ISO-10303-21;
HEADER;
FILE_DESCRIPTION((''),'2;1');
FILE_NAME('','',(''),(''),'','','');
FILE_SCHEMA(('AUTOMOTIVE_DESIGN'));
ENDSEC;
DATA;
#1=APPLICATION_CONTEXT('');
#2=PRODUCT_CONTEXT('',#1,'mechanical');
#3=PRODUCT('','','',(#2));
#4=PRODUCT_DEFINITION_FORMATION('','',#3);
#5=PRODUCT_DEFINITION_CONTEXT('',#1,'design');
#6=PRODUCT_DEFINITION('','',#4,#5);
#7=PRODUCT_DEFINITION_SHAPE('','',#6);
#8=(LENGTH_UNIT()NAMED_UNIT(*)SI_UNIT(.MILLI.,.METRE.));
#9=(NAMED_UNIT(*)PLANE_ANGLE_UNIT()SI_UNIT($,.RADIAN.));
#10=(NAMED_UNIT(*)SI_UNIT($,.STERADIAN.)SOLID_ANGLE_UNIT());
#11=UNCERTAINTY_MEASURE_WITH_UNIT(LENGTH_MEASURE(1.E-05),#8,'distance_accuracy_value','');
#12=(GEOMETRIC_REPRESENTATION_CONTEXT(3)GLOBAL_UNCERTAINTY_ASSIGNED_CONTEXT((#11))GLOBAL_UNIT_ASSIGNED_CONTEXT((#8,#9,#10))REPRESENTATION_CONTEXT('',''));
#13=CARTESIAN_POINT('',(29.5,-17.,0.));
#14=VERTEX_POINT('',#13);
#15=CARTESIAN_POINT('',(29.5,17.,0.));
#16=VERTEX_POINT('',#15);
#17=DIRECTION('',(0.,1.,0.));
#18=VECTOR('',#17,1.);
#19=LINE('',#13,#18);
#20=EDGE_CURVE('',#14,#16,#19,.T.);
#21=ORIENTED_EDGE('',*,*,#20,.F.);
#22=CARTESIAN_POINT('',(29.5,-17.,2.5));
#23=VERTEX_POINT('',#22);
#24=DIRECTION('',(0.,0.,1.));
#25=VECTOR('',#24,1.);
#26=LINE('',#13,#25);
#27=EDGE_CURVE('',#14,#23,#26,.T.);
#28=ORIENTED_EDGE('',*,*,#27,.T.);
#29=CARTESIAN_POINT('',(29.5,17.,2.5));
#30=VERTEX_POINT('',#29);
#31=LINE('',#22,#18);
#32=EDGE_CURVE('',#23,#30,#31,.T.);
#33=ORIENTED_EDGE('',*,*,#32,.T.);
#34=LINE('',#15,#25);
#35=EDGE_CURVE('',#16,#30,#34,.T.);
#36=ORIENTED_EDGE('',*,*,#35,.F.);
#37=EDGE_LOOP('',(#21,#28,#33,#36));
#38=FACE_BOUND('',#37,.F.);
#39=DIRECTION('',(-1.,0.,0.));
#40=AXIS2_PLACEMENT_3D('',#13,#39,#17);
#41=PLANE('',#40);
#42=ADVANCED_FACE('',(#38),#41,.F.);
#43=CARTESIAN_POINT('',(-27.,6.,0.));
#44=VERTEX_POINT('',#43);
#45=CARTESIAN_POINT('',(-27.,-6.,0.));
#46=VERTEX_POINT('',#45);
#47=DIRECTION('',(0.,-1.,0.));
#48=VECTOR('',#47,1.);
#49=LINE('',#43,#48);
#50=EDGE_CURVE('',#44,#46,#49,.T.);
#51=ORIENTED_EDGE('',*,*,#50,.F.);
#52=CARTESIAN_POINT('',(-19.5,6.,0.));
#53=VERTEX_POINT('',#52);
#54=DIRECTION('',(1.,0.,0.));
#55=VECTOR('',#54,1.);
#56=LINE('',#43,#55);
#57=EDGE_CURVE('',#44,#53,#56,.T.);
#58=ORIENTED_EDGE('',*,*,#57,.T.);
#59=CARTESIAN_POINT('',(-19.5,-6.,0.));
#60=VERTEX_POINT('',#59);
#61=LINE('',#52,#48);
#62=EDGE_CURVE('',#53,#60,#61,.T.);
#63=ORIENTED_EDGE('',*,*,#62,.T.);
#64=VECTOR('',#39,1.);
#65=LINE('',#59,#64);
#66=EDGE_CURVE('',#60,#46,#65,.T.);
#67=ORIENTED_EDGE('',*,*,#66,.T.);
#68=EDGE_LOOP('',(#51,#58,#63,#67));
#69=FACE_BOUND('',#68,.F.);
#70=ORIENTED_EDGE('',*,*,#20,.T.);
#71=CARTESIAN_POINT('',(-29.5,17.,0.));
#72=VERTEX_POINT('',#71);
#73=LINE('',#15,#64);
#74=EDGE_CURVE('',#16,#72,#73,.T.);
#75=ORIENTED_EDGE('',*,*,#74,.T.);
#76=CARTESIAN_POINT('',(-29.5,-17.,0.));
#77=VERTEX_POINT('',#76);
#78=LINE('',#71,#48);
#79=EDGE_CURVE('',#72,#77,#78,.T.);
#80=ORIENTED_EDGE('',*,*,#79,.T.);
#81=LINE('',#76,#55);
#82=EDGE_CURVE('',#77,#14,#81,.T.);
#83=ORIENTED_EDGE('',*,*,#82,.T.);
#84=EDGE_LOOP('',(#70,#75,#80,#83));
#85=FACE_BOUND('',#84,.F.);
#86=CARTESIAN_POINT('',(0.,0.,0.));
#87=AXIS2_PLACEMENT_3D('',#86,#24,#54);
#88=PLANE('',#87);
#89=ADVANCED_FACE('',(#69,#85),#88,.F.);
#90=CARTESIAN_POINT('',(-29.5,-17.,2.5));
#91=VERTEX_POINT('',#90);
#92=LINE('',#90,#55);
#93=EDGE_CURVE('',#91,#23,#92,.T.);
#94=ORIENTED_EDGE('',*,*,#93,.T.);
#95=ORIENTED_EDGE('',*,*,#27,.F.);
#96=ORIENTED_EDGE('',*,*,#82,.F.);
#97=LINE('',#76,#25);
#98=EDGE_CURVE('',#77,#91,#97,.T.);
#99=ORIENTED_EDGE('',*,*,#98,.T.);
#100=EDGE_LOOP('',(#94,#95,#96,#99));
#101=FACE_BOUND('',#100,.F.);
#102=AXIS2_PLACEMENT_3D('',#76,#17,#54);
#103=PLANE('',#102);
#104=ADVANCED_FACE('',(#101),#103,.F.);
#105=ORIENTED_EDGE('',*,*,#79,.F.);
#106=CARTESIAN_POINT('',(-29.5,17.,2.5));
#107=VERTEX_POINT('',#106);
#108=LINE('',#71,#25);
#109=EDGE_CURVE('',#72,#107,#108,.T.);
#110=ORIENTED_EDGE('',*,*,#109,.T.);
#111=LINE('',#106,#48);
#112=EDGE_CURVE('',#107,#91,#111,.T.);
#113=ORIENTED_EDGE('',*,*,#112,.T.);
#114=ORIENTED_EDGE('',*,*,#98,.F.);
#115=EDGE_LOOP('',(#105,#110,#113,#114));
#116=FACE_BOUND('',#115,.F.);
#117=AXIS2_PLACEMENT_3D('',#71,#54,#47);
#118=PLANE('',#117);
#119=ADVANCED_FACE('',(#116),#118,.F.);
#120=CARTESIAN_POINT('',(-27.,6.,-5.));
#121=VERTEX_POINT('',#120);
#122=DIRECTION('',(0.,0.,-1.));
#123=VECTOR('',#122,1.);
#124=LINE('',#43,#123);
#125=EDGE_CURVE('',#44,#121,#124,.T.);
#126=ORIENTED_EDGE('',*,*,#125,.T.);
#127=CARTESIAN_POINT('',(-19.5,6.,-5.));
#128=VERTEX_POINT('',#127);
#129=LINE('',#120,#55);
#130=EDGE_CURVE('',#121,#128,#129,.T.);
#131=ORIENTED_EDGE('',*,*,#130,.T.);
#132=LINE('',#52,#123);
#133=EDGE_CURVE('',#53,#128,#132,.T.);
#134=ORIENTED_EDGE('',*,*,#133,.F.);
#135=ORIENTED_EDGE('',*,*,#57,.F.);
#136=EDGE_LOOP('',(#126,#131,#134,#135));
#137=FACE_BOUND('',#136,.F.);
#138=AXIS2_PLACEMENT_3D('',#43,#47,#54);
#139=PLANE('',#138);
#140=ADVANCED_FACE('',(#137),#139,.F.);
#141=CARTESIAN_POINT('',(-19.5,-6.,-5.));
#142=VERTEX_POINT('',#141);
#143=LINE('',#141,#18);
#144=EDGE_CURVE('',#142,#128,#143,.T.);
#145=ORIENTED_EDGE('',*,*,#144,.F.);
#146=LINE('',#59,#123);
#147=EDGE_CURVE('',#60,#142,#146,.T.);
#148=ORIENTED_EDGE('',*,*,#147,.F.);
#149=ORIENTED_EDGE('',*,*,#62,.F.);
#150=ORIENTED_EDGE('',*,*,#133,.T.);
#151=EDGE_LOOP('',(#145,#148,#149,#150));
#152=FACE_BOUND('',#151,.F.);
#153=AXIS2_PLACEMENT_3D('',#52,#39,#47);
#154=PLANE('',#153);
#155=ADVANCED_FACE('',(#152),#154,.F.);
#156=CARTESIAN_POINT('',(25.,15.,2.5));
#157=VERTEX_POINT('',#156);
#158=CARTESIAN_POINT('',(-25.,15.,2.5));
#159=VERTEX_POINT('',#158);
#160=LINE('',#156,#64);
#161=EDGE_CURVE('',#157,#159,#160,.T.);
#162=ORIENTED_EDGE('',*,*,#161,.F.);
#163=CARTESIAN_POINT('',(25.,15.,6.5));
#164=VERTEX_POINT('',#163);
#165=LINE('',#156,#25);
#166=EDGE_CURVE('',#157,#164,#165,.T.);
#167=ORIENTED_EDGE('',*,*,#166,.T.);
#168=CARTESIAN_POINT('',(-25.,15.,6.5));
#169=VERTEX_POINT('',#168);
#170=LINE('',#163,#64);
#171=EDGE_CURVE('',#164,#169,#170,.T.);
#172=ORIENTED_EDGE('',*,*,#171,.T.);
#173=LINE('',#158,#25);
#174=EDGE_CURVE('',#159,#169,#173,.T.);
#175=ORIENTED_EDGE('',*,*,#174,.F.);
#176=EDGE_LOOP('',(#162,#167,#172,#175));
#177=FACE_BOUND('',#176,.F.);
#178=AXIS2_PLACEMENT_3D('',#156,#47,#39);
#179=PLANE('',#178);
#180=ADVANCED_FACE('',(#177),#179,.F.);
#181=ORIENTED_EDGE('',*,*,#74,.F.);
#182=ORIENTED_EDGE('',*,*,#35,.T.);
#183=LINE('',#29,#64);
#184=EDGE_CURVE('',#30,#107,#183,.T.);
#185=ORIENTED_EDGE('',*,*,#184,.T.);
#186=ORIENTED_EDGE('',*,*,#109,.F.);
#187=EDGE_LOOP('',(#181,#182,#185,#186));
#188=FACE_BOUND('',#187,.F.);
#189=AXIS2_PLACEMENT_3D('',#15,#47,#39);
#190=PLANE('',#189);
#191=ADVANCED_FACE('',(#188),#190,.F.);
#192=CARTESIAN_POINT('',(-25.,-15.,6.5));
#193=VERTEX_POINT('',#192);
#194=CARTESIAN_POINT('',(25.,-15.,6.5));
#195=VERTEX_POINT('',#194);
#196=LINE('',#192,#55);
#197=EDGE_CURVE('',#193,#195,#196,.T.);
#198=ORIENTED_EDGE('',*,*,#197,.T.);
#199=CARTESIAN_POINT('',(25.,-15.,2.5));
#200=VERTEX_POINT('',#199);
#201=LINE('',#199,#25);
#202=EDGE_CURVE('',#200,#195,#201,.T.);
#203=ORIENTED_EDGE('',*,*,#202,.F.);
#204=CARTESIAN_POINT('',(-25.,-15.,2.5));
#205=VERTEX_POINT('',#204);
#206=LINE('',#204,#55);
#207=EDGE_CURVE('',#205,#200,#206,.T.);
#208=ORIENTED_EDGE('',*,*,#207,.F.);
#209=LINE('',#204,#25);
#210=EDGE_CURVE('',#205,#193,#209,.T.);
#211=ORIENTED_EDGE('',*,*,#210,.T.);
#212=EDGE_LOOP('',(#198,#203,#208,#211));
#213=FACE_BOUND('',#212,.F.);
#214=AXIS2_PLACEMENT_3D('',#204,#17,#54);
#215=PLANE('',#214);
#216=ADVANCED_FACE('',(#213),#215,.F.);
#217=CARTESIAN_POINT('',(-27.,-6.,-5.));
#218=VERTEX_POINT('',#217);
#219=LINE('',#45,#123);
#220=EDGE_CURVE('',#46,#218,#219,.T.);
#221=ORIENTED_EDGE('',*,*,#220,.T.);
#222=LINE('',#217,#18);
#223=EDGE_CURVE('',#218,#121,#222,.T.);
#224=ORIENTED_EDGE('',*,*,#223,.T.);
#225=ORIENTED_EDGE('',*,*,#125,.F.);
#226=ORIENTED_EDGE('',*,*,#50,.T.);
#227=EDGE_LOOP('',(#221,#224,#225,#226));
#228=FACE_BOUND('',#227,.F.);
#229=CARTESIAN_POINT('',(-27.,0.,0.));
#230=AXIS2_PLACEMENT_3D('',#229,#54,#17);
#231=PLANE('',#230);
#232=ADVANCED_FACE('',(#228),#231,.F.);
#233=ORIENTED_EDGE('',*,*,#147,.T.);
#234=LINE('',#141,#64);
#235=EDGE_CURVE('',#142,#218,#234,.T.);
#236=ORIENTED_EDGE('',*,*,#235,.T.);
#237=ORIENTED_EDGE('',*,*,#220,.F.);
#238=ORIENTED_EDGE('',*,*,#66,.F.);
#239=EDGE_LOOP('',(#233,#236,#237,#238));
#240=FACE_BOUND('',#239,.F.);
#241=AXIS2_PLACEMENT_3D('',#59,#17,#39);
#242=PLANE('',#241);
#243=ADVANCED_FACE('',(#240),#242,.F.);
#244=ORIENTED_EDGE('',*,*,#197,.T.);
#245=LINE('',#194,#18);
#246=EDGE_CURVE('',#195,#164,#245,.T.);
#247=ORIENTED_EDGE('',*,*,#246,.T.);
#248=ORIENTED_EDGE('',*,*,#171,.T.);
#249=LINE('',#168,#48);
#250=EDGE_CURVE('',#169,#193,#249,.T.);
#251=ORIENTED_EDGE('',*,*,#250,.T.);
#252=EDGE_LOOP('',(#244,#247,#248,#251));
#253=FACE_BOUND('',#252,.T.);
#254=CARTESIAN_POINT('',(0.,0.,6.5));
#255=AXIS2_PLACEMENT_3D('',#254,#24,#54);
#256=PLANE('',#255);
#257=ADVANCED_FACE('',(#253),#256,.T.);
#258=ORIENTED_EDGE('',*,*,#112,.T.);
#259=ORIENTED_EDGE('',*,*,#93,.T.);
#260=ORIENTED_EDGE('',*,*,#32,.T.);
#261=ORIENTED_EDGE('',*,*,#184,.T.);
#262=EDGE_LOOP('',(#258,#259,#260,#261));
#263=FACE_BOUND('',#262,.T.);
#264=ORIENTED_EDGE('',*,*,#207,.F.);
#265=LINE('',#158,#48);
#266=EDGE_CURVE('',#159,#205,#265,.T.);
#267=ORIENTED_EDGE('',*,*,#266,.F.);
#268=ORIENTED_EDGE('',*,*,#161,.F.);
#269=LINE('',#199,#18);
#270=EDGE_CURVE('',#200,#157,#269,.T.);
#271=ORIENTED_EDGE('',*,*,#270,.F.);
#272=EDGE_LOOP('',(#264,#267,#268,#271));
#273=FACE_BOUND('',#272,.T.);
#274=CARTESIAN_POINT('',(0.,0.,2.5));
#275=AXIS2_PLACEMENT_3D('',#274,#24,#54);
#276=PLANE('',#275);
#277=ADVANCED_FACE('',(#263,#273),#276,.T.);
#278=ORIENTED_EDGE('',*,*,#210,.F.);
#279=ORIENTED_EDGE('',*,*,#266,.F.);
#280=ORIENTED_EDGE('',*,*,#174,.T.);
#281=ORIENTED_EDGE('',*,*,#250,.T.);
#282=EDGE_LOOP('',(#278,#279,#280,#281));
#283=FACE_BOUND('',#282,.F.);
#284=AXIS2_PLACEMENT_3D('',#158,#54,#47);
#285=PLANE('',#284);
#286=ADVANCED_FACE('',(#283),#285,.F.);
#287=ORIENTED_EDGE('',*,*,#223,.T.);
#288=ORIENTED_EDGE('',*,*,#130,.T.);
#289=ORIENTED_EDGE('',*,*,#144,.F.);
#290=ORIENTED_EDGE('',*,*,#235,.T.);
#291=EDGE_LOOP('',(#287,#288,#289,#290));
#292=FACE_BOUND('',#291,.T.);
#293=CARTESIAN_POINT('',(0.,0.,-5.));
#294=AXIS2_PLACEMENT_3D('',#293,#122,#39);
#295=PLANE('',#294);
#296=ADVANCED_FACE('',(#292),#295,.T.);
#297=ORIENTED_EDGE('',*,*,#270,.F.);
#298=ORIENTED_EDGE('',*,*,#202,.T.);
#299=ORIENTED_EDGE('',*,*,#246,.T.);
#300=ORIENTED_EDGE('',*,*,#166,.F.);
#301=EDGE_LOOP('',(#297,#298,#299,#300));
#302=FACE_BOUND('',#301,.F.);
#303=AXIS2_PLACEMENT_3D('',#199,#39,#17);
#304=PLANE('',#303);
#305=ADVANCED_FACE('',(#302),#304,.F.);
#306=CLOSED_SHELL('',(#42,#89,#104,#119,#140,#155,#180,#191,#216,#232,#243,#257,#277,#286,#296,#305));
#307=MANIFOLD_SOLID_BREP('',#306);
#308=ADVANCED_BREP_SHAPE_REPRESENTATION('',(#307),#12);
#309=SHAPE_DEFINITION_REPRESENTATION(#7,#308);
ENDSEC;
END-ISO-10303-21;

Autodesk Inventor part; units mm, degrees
ref_plane "YZ Plane" through (0, 0, 0) normal (1, 0, 0) x (0, 1, 0)
ref_plane "XZ Plane" through (0, 0, 0) normal (0, 1, 0) x (-1, 0, 0)
ref_plane "XY Plane" through (0, 0, 0) normal (0, 0, 1) x (1, 0, 0)
sketch "Sketch1" plane through (0, 0, 0) normal (0, 0, 1) x (1, 0, 0)
  line L0 (-29.5, -17) -> (29.5, -17)
  line L1 (29.5, -17) -> (29.5, 17)
  line L2 (29.5, 17) -> (-29.5, 17)
  line L3 (-29.5, 17) -> (-29.5, -17)
  line L4 (-29.5, -17) -> (29.5, 17) construction
  line L5 (29.5, -17) -> (-29.5, 17) construction
  point P0 (0, 0)
  dimension "d0" = 59
  dimension "d1" = 34
extrude "Extrusion1" add sketch "Sketch1" along normal blind 2.5
sketch "Sketch2" plane through (0, 0, 2.5) normal (0, 0, 1) x (1, 0, 0)
  line L0 (-25, -15) -> (25, -15)
  line L1 (25, -15) -> (25, 15)
  line L2 (25, 15) -> (-25, 15)
  line L3 (-25, 15) -> (-25, -15)
  line L4 (-25, -15) -> (25, 15) construction
  line L5 (25, -15) -> (-25, 15) construction
  point P0 (0, 0)
  dimension "d4" = 50
  dimension "d5" = 30
extrude "Extrusion2" add sketch "Sketch2" along normal blind 4
sketch "Sketch3" plane through (0, 0, 0) normal (0, 0, -1) x (-1, 0, 0)
  line L0 (-41.3, 0) -> (41.3, 0) projected
  line L1 (27, 6) -> (19.5, 6)
  line L2 (19.5, 6) -> (19.5, -6)
  line L3 (19.5, -6) -> (27, -6)
  line L4 (27, -6) -> (27, 6)
  line L5 (27, 6) -> (19.5, -6) construction
  line L6 (19.5, 6) -> (27, -6) construction
  line L7 (29.5, 17) -> (29.5, -17) projected
  point P0 (0, 0)
  point P1 (23.25, 0)
  dimension "d8" = 7.5
  dimension "d9" = 12
  dimension "d10" = 2.5
extrude "Extrusion3" add sketch "Sketch3" along normal blind 5
properties part number "lcdsw"
